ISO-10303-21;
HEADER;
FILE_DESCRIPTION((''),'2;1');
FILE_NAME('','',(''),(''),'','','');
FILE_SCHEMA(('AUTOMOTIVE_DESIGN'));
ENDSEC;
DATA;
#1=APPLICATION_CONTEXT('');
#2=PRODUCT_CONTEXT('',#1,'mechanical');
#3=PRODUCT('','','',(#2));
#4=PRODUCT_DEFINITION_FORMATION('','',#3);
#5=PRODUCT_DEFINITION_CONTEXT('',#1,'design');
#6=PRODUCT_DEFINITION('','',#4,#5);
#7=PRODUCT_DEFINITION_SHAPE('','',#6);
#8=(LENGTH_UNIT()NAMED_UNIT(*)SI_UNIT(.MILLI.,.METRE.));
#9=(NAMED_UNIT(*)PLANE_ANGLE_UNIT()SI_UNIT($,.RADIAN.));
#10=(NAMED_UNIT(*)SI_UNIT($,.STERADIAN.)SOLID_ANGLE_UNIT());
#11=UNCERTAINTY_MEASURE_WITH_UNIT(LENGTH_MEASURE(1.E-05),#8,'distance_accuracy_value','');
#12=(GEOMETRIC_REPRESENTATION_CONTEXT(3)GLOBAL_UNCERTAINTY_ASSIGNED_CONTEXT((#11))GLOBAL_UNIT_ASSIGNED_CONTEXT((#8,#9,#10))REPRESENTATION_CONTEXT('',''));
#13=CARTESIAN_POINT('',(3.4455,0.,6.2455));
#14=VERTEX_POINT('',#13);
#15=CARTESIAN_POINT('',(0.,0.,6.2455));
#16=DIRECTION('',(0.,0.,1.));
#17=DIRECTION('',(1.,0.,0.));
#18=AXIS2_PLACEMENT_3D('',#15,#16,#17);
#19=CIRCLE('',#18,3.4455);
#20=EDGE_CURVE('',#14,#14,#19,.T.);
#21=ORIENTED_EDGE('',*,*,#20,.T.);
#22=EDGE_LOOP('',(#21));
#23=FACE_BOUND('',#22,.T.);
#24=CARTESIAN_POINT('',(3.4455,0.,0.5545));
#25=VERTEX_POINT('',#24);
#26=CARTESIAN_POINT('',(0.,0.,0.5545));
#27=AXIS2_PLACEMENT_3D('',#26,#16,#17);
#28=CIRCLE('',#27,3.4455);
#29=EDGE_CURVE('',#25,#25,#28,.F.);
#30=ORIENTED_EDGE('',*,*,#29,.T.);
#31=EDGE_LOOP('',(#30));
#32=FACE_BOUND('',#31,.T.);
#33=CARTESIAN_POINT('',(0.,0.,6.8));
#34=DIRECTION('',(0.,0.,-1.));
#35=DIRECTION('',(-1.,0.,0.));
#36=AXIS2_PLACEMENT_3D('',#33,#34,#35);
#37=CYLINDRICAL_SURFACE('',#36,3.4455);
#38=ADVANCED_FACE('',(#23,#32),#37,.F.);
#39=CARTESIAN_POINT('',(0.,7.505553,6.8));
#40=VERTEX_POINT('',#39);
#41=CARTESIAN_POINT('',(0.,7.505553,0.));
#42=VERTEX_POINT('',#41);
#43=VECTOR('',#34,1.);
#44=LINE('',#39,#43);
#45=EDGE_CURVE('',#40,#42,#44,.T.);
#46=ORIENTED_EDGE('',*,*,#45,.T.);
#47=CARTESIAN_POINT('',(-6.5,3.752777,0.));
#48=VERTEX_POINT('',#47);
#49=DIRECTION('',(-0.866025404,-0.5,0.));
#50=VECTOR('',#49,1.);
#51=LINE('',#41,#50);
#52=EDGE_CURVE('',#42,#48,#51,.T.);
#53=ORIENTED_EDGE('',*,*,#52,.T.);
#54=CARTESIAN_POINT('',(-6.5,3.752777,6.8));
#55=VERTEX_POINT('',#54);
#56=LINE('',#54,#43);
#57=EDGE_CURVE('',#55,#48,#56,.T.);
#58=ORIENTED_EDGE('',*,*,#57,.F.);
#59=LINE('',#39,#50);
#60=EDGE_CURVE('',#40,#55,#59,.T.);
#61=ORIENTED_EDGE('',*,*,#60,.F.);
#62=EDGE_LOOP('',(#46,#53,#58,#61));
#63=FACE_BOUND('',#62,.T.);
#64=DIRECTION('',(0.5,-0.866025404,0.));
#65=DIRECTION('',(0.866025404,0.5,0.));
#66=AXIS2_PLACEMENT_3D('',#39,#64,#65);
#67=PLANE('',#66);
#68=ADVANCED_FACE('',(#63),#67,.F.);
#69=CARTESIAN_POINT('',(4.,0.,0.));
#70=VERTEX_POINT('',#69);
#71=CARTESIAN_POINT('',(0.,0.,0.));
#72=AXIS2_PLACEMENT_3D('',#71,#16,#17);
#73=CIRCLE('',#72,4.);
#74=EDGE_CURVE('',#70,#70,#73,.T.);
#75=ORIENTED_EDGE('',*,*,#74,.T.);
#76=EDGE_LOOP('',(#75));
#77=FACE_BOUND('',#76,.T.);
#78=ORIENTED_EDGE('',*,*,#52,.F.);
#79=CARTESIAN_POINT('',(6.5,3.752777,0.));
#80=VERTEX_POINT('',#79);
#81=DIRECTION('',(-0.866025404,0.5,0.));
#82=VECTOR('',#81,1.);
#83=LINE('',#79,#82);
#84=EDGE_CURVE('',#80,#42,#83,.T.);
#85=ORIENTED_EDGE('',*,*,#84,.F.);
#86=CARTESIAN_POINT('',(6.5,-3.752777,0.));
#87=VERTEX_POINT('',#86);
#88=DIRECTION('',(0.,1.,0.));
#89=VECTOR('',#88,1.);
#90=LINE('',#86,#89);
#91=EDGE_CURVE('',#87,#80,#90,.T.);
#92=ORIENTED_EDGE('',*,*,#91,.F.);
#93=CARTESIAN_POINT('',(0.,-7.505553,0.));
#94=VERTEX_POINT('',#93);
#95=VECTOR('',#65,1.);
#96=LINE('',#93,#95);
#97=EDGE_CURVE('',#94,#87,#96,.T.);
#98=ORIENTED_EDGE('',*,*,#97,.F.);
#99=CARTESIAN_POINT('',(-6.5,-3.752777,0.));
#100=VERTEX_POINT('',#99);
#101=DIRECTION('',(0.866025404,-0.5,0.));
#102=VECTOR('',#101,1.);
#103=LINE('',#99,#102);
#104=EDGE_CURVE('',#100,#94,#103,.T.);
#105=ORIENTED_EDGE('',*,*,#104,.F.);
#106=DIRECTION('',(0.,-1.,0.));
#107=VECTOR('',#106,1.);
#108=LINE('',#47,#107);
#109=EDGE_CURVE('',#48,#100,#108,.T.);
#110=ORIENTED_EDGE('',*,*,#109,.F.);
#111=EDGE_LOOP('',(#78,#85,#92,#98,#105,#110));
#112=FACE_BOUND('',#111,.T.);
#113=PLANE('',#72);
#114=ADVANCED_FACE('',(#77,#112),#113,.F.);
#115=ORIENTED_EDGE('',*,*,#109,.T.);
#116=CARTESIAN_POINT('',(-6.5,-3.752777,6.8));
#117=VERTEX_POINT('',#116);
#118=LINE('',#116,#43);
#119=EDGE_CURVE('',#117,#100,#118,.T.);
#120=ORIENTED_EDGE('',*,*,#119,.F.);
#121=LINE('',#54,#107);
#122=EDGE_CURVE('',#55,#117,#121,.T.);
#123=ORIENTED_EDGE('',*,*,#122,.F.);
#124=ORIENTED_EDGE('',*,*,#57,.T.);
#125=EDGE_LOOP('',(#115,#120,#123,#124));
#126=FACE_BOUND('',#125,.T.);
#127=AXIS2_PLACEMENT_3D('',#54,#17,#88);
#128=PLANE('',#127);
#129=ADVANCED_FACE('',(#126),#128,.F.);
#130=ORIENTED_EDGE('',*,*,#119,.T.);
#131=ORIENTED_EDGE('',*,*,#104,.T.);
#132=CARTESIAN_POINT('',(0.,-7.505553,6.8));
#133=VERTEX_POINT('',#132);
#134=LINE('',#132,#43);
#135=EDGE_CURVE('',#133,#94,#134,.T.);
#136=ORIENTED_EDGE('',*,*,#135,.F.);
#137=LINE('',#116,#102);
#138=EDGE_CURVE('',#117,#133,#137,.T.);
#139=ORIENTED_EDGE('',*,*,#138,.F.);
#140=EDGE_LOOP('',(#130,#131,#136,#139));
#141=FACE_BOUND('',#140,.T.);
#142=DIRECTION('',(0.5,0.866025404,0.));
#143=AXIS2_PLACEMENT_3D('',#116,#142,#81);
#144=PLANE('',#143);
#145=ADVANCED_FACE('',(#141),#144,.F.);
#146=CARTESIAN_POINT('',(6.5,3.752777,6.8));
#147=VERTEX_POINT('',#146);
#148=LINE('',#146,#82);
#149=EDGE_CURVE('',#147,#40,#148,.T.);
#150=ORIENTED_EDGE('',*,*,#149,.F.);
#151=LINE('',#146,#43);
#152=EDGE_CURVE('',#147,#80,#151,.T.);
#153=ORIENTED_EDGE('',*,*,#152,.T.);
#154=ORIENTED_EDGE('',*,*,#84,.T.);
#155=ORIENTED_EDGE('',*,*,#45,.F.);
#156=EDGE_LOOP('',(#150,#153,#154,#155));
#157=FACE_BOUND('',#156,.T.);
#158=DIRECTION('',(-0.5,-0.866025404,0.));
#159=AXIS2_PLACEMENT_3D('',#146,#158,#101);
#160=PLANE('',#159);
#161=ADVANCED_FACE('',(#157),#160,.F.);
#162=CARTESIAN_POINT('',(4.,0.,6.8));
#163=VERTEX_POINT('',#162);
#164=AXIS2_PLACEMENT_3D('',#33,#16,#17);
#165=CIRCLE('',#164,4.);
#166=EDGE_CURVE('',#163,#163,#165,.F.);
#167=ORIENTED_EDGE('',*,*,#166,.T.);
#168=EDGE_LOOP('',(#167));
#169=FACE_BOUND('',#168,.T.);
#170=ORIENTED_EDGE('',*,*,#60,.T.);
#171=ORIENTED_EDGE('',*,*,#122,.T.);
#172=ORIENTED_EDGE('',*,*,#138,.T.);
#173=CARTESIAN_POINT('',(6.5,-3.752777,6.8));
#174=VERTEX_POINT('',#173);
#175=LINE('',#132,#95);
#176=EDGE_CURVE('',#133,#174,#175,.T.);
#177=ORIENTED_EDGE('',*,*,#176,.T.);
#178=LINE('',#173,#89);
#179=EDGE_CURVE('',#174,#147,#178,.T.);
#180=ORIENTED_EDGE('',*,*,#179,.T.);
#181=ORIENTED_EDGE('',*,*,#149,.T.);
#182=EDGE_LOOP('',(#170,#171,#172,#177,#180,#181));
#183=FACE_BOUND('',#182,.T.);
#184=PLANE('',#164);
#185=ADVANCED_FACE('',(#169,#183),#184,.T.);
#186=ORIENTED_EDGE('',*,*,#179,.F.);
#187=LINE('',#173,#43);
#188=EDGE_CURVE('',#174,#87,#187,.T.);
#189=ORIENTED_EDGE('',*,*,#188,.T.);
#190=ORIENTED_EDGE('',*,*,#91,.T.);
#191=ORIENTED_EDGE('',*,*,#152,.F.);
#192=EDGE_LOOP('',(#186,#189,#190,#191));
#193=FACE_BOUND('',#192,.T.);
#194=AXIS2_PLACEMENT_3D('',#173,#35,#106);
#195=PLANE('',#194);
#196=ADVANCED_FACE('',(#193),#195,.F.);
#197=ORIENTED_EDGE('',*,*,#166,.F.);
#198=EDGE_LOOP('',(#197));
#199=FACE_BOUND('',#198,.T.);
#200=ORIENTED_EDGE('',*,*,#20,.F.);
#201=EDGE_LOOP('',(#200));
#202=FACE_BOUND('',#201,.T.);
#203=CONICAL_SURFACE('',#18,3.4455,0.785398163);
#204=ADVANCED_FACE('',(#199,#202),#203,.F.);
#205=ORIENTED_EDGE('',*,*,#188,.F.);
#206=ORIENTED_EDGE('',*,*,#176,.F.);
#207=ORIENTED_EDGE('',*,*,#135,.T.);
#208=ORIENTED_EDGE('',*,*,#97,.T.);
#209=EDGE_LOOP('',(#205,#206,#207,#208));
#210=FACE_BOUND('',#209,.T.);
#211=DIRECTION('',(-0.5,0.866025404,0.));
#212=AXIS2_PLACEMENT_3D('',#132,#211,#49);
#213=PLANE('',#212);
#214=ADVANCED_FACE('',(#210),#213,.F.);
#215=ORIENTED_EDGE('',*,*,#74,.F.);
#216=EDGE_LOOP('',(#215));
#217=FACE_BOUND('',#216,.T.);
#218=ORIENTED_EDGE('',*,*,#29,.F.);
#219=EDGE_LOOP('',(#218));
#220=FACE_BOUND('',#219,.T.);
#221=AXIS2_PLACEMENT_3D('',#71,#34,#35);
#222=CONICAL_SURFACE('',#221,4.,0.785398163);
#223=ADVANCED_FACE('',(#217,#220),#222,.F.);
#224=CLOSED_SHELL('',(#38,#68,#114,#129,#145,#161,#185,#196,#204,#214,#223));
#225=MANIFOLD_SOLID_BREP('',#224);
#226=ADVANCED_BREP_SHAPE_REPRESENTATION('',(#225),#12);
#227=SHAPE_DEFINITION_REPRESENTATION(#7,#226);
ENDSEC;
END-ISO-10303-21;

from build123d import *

# Parameters (mm, degrees)
SKETCH_1_R      = 3.4455
EXTRUDE_1_DEPTH = 6.8
CHAMFER_1_SIZE  = 0.5545


with BuildPart() as part:
    # Эскиз1 → Бобышка-Вытянуть1 (new body)
    with BuildSketch(Plane.XY):
        Polygon((0, 7.505553499), (-6.5, 3.75277675), (-6.5, -3.75277675), (0, -7.505553499), (6.5, -3.75277675), (6.5, 3.75277675), align=None)
        Circle(SKETCH_1_R, mode=Mode.SUBTRACT)
    extrude(amount=EXTRUDE_1_DEPTH)

    # Фаска1
    chamfer_1_edges = [part.edges().sort_by_distance(p)[0] for p in [
        (-3.4455, 0, 0),
        (-3.4455, 0, 6.8),
    ]]
    chamfer(chamfer_1_edges, length=CHAMFER_1_SIZE)


solid = part.part
